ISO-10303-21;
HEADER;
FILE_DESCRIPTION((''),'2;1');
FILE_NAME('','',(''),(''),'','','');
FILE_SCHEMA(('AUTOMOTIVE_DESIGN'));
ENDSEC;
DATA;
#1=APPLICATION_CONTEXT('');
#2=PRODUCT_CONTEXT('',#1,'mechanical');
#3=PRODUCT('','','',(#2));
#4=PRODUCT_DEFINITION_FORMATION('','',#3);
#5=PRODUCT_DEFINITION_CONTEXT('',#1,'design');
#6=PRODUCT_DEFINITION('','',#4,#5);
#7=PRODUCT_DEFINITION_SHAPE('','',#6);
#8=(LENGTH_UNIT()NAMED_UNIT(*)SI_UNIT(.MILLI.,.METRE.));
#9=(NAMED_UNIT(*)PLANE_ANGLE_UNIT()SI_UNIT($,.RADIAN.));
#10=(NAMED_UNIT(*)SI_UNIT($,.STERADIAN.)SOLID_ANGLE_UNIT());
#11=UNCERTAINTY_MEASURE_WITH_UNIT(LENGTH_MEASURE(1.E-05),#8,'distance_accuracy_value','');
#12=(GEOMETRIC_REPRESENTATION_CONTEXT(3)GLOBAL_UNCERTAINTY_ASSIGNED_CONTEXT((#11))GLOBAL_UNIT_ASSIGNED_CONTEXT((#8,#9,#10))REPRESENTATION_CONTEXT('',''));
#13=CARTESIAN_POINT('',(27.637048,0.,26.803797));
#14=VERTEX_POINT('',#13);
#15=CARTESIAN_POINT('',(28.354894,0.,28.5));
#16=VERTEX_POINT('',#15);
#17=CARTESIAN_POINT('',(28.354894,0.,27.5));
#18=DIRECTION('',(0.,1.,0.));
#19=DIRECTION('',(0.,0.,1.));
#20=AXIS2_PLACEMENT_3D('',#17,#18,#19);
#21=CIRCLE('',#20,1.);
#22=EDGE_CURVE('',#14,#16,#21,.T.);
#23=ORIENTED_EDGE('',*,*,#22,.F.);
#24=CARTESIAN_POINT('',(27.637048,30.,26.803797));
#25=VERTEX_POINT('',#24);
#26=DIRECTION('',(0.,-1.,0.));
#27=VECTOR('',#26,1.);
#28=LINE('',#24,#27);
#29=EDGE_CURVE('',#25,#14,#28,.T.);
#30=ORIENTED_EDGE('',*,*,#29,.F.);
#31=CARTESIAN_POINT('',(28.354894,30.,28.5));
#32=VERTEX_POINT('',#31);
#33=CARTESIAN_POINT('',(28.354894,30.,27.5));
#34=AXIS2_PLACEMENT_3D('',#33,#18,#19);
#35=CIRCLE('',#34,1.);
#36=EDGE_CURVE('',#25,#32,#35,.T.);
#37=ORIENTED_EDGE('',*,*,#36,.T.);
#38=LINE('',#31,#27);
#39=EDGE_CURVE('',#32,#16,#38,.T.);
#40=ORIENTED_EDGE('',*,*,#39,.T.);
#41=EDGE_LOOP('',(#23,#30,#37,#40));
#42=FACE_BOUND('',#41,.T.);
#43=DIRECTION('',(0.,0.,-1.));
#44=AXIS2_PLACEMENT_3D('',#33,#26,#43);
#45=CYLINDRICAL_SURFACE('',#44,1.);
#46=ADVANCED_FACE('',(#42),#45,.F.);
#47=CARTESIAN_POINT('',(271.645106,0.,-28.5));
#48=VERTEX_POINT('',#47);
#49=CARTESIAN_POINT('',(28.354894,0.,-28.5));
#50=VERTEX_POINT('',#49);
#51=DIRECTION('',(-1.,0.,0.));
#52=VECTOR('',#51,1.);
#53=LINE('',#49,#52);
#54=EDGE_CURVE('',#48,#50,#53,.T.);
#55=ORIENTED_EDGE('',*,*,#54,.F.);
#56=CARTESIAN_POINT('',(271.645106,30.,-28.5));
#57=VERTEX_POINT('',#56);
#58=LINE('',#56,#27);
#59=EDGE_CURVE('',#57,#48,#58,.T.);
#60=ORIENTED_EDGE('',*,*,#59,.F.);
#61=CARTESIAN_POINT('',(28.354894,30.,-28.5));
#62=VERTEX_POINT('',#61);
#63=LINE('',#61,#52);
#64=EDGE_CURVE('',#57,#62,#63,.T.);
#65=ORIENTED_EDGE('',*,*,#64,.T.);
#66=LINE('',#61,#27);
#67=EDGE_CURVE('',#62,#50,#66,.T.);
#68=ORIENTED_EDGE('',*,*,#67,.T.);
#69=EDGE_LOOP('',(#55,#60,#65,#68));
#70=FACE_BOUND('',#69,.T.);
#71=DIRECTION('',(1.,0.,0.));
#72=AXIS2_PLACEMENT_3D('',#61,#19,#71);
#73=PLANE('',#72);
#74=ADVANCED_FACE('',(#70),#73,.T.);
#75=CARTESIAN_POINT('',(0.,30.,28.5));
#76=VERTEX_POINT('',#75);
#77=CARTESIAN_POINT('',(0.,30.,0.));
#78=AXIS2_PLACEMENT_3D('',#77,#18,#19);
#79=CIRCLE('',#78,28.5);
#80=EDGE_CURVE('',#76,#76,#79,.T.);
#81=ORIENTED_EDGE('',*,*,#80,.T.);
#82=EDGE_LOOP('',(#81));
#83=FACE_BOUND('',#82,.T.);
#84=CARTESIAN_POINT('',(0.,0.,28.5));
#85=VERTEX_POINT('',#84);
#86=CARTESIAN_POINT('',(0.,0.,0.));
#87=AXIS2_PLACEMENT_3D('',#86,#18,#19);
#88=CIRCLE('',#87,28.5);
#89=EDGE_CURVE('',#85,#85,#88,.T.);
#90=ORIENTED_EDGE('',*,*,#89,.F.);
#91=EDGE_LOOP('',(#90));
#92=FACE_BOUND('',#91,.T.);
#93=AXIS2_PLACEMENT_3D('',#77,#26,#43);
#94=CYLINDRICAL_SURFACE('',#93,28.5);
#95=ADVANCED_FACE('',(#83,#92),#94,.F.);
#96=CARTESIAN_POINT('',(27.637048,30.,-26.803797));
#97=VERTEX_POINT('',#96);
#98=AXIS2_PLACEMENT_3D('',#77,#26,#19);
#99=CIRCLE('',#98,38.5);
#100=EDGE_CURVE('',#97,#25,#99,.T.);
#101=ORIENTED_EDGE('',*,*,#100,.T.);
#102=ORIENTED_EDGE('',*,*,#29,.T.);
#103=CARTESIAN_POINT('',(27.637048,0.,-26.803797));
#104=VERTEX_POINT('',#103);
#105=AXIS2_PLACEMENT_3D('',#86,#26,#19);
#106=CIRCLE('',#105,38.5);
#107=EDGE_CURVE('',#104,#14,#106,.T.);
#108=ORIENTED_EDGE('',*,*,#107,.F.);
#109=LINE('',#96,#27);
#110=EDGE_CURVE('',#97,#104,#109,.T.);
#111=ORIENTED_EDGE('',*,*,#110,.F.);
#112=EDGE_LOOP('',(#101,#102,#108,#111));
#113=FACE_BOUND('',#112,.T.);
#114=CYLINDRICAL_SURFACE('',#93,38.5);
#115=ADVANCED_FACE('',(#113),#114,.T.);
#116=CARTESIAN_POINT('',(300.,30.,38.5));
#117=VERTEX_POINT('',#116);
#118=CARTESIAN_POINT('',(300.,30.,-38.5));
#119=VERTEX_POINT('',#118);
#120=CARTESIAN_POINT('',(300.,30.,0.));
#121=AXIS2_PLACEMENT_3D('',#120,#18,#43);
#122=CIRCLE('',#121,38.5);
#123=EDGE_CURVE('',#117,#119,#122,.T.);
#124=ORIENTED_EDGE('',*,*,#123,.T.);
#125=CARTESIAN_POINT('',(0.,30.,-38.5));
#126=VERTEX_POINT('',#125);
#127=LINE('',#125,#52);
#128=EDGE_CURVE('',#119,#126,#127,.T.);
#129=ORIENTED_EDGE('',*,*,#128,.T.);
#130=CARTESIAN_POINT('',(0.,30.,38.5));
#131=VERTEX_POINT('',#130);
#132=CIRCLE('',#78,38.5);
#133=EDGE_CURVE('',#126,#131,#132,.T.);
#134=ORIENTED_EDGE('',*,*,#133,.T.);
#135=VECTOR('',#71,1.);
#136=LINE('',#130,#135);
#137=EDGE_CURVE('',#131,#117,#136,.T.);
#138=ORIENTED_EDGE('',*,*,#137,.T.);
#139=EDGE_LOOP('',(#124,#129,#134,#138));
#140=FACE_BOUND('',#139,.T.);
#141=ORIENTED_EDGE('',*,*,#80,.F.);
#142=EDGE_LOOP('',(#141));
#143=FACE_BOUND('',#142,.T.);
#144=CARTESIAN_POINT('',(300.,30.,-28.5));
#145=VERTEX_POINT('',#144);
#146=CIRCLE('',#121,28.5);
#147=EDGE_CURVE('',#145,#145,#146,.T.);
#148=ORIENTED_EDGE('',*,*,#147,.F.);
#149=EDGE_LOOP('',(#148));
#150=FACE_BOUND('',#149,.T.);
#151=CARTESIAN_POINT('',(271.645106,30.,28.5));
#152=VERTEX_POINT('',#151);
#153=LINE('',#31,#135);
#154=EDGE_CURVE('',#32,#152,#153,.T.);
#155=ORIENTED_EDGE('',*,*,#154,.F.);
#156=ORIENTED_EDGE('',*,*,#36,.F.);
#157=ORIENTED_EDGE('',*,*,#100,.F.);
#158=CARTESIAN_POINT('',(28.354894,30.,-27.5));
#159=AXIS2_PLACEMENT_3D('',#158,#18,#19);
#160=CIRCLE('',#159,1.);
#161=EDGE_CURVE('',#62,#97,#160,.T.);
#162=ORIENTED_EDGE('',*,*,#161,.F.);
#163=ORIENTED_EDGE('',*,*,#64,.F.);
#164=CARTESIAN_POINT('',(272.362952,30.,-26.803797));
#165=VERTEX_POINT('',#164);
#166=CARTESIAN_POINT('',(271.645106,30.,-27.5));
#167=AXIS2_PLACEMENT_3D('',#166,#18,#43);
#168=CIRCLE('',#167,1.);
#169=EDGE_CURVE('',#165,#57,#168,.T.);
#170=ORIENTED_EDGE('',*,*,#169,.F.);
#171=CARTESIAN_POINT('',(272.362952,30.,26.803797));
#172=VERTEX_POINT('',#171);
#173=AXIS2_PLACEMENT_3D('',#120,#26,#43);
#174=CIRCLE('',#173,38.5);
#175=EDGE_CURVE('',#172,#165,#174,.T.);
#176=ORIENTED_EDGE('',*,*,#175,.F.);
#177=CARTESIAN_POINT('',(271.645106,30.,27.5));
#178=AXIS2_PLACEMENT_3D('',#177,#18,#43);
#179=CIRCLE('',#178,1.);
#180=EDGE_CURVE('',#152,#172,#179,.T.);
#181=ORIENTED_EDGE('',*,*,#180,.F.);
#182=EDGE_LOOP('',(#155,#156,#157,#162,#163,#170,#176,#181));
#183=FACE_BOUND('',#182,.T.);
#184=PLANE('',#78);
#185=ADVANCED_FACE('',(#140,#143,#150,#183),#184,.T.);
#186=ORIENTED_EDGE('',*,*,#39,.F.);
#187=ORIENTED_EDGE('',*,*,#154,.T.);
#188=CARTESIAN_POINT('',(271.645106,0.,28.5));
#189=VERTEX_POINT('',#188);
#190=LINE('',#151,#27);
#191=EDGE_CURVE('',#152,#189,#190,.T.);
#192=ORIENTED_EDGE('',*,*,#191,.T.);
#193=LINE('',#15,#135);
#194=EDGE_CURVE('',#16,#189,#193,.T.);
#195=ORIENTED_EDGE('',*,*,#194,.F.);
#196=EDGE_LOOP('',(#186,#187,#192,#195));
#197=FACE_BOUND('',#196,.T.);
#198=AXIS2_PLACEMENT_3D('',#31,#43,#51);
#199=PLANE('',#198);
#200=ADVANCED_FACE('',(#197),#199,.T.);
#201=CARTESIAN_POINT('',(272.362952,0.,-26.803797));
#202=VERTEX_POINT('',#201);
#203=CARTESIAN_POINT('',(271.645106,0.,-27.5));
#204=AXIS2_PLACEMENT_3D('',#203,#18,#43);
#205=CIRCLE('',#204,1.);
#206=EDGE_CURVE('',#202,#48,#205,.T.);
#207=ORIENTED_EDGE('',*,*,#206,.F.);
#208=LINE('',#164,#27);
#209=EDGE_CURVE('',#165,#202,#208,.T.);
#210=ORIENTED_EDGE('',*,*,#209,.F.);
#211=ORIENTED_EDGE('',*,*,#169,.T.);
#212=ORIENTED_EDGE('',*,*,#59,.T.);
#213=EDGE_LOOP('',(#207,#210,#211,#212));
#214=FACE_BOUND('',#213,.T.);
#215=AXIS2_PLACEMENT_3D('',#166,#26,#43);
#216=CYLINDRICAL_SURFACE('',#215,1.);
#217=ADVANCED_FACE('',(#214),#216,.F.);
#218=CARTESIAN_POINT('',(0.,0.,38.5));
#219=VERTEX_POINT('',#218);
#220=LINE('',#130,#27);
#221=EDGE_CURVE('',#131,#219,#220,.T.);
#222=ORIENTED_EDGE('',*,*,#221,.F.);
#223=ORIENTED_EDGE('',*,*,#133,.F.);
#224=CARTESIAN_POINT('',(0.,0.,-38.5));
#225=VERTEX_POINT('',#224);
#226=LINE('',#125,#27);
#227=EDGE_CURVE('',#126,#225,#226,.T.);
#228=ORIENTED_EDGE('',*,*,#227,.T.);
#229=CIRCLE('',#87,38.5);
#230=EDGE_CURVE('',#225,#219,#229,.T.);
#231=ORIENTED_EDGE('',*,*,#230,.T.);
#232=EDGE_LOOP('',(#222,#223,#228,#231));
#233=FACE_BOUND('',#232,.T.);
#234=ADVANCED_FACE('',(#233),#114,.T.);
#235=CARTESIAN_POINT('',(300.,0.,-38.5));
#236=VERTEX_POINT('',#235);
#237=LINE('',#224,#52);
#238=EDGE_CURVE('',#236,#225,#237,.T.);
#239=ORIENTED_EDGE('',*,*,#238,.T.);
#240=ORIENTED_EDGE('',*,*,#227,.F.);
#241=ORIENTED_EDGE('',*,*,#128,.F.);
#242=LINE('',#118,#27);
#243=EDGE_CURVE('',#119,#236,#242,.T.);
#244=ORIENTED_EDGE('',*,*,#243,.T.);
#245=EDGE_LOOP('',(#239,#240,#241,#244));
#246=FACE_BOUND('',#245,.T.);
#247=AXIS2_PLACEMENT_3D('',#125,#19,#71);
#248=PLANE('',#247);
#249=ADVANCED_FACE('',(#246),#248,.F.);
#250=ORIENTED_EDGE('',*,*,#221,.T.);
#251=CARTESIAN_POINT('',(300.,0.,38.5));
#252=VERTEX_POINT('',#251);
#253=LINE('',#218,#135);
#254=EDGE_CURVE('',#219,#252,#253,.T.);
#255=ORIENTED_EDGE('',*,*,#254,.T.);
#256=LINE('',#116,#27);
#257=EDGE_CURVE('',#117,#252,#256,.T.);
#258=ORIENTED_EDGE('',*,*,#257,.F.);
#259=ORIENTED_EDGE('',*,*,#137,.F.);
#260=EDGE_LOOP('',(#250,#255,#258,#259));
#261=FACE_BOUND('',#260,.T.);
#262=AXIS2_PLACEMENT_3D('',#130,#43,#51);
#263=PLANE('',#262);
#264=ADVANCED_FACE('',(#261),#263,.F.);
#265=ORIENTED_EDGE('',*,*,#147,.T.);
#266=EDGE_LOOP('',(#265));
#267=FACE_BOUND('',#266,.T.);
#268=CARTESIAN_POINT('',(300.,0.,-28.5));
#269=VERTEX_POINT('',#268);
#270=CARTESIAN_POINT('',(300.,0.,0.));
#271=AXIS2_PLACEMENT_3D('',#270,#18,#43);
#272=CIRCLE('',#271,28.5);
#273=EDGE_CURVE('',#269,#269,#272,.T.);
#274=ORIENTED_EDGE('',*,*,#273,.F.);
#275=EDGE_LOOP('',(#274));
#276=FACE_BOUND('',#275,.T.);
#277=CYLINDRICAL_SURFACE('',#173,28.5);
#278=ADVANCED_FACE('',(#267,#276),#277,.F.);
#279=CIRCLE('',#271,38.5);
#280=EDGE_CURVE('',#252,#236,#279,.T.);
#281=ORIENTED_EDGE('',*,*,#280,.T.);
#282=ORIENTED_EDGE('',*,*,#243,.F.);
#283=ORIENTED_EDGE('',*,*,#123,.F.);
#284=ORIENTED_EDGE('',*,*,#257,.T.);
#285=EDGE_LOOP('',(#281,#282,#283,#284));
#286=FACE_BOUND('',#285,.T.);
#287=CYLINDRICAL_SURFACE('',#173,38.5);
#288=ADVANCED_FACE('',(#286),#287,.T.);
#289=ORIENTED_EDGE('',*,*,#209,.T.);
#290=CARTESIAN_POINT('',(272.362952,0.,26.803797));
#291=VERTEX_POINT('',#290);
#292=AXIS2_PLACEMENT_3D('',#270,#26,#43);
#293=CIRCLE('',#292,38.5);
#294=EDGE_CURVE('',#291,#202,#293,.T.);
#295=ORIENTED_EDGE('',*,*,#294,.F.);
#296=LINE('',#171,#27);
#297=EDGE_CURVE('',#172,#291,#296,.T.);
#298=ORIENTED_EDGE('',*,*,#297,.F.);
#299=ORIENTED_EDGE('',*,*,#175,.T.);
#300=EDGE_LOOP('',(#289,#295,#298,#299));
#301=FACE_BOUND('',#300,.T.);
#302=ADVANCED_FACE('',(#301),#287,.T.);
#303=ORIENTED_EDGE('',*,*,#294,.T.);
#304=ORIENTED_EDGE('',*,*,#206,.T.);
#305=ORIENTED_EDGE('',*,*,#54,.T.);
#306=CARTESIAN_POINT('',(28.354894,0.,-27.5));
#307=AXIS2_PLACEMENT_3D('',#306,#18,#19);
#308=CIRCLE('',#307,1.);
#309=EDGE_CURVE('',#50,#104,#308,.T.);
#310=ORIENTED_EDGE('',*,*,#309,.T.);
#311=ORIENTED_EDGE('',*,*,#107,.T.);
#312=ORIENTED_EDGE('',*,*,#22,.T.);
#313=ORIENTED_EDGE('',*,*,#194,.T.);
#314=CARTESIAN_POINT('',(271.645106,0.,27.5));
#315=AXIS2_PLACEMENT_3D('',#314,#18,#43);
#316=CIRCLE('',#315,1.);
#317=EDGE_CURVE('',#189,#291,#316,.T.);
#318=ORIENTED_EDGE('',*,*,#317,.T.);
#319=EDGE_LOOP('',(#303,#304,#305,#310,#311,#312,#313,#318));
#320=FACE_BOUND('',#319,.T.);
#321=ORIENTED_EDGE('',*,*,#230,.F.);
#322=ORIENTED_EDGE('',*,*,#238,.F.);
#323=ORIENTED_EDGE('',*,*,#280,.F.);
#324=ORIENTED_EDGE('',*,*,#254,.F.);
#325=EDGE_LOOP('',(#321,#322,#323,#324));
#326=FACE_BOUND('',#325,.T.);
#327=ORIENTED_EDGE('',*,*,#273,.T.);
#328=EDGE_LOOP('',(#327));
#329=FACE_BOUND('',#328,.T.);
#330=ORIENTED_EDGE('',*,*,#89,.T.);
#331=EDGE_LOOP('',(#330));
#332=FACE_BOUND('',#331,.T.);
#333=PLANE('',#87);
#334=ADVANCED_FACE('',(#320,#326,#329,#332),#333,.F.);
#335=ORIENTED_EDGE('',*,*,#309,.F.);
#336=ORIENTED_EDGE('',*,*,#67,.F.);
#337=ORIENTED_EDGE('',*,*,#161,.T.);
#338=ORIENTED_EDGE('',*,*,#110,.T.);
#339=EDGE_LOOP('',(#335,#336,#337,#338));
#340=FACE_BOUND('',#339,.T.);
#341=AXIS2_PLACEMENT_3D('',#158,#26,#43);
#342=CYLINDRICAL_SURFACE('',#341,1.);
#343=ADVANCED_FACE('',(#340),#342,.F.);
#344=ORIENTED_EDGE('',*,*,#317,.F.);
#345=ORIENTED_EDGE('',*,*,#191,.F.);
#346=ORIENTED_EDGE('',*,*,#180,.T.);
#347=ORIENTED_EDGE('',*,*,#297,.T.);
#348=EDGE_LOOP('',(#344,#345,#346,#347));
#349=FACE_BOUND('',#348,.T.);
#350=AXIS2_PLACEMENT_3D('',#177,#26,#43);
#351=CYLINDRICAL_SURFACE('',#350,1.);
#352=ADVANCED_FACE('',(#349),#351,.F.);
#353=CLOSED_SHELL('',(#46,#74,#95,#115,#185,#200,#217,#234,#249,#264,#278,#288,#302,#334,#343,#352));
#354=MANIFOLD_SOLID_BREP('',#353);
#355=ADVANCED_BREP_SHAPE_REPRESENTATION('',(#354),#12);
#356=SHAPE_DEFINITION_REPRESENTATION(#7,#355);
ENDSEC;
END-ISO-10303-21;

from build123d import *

# Parameters (mm, degrees)
SKETCH_1_R      = 28.5
EXTRUDE_1_DEPTH = 30


with BuildPart() as part:
    # 草图1 → 凸台-拉伸1 (new body)
    with BuildSketch(Plane(origin=(0, 0, 0), x_dir=(1, 0, 0), z_dir=(0, 1, 0))):
        with BuildLine():
            Line((0, -38.5), (300, -38.5))
            ThreePointArc((300, -38.5), (338.5, 0), (300, 38.5))
            Line((300, 38.5), (0, 38.5))
            ThreePointArc((0, 38.5), (-38.5, 0), (0, -38.5))
        make_face()
        with Locations(Location((0, 0, 0), (0, 0, 270))):
            Circle(SKETCH_1_R, mode=Mode.SUBTRACT)
        with Locations(Location((300, 0, 0), (0, 0, 90))):
            Circle(SKETCH_1_R, mode=Mode.SUBTRACT)
        with BuildLine():
            Line((28.354893758, -28.5), (271.645106242, -28.5))
            ThreePointArc((271.645106242, -28.5), (272.566030379, -27.889741881), (272.362951654, -26.803797468))
            ThreePointArc((272.362951654, -26.803797468), (261.5, 0), (272.362951654, 26.803797468))
            ThreePointArc((272.362951654, 26.803797468), (272.566030379, 27.889741881), (271.645106242, 28.5))
            Line((271.645106242, 28.5), (28.354893758, 28.5))
            ThreePointArc((28.354893758, 28.5), (27.433969621, 27.889741881), (27.637048346, 26.803797468))
            ThreePointArc((27.637048346, 26.803797468), (38.5, 0), (27.637048346, -26.803797468))
            ThreePointArc((27.637048346, -26.803797468), (27.433969621, -27.889741881), (28.354893758, -28.5))
        make_face(mode=Mode.SUBTRACT)
    extrude(amount=EXTRUDE_1_DEPTH)


solid = part.part
